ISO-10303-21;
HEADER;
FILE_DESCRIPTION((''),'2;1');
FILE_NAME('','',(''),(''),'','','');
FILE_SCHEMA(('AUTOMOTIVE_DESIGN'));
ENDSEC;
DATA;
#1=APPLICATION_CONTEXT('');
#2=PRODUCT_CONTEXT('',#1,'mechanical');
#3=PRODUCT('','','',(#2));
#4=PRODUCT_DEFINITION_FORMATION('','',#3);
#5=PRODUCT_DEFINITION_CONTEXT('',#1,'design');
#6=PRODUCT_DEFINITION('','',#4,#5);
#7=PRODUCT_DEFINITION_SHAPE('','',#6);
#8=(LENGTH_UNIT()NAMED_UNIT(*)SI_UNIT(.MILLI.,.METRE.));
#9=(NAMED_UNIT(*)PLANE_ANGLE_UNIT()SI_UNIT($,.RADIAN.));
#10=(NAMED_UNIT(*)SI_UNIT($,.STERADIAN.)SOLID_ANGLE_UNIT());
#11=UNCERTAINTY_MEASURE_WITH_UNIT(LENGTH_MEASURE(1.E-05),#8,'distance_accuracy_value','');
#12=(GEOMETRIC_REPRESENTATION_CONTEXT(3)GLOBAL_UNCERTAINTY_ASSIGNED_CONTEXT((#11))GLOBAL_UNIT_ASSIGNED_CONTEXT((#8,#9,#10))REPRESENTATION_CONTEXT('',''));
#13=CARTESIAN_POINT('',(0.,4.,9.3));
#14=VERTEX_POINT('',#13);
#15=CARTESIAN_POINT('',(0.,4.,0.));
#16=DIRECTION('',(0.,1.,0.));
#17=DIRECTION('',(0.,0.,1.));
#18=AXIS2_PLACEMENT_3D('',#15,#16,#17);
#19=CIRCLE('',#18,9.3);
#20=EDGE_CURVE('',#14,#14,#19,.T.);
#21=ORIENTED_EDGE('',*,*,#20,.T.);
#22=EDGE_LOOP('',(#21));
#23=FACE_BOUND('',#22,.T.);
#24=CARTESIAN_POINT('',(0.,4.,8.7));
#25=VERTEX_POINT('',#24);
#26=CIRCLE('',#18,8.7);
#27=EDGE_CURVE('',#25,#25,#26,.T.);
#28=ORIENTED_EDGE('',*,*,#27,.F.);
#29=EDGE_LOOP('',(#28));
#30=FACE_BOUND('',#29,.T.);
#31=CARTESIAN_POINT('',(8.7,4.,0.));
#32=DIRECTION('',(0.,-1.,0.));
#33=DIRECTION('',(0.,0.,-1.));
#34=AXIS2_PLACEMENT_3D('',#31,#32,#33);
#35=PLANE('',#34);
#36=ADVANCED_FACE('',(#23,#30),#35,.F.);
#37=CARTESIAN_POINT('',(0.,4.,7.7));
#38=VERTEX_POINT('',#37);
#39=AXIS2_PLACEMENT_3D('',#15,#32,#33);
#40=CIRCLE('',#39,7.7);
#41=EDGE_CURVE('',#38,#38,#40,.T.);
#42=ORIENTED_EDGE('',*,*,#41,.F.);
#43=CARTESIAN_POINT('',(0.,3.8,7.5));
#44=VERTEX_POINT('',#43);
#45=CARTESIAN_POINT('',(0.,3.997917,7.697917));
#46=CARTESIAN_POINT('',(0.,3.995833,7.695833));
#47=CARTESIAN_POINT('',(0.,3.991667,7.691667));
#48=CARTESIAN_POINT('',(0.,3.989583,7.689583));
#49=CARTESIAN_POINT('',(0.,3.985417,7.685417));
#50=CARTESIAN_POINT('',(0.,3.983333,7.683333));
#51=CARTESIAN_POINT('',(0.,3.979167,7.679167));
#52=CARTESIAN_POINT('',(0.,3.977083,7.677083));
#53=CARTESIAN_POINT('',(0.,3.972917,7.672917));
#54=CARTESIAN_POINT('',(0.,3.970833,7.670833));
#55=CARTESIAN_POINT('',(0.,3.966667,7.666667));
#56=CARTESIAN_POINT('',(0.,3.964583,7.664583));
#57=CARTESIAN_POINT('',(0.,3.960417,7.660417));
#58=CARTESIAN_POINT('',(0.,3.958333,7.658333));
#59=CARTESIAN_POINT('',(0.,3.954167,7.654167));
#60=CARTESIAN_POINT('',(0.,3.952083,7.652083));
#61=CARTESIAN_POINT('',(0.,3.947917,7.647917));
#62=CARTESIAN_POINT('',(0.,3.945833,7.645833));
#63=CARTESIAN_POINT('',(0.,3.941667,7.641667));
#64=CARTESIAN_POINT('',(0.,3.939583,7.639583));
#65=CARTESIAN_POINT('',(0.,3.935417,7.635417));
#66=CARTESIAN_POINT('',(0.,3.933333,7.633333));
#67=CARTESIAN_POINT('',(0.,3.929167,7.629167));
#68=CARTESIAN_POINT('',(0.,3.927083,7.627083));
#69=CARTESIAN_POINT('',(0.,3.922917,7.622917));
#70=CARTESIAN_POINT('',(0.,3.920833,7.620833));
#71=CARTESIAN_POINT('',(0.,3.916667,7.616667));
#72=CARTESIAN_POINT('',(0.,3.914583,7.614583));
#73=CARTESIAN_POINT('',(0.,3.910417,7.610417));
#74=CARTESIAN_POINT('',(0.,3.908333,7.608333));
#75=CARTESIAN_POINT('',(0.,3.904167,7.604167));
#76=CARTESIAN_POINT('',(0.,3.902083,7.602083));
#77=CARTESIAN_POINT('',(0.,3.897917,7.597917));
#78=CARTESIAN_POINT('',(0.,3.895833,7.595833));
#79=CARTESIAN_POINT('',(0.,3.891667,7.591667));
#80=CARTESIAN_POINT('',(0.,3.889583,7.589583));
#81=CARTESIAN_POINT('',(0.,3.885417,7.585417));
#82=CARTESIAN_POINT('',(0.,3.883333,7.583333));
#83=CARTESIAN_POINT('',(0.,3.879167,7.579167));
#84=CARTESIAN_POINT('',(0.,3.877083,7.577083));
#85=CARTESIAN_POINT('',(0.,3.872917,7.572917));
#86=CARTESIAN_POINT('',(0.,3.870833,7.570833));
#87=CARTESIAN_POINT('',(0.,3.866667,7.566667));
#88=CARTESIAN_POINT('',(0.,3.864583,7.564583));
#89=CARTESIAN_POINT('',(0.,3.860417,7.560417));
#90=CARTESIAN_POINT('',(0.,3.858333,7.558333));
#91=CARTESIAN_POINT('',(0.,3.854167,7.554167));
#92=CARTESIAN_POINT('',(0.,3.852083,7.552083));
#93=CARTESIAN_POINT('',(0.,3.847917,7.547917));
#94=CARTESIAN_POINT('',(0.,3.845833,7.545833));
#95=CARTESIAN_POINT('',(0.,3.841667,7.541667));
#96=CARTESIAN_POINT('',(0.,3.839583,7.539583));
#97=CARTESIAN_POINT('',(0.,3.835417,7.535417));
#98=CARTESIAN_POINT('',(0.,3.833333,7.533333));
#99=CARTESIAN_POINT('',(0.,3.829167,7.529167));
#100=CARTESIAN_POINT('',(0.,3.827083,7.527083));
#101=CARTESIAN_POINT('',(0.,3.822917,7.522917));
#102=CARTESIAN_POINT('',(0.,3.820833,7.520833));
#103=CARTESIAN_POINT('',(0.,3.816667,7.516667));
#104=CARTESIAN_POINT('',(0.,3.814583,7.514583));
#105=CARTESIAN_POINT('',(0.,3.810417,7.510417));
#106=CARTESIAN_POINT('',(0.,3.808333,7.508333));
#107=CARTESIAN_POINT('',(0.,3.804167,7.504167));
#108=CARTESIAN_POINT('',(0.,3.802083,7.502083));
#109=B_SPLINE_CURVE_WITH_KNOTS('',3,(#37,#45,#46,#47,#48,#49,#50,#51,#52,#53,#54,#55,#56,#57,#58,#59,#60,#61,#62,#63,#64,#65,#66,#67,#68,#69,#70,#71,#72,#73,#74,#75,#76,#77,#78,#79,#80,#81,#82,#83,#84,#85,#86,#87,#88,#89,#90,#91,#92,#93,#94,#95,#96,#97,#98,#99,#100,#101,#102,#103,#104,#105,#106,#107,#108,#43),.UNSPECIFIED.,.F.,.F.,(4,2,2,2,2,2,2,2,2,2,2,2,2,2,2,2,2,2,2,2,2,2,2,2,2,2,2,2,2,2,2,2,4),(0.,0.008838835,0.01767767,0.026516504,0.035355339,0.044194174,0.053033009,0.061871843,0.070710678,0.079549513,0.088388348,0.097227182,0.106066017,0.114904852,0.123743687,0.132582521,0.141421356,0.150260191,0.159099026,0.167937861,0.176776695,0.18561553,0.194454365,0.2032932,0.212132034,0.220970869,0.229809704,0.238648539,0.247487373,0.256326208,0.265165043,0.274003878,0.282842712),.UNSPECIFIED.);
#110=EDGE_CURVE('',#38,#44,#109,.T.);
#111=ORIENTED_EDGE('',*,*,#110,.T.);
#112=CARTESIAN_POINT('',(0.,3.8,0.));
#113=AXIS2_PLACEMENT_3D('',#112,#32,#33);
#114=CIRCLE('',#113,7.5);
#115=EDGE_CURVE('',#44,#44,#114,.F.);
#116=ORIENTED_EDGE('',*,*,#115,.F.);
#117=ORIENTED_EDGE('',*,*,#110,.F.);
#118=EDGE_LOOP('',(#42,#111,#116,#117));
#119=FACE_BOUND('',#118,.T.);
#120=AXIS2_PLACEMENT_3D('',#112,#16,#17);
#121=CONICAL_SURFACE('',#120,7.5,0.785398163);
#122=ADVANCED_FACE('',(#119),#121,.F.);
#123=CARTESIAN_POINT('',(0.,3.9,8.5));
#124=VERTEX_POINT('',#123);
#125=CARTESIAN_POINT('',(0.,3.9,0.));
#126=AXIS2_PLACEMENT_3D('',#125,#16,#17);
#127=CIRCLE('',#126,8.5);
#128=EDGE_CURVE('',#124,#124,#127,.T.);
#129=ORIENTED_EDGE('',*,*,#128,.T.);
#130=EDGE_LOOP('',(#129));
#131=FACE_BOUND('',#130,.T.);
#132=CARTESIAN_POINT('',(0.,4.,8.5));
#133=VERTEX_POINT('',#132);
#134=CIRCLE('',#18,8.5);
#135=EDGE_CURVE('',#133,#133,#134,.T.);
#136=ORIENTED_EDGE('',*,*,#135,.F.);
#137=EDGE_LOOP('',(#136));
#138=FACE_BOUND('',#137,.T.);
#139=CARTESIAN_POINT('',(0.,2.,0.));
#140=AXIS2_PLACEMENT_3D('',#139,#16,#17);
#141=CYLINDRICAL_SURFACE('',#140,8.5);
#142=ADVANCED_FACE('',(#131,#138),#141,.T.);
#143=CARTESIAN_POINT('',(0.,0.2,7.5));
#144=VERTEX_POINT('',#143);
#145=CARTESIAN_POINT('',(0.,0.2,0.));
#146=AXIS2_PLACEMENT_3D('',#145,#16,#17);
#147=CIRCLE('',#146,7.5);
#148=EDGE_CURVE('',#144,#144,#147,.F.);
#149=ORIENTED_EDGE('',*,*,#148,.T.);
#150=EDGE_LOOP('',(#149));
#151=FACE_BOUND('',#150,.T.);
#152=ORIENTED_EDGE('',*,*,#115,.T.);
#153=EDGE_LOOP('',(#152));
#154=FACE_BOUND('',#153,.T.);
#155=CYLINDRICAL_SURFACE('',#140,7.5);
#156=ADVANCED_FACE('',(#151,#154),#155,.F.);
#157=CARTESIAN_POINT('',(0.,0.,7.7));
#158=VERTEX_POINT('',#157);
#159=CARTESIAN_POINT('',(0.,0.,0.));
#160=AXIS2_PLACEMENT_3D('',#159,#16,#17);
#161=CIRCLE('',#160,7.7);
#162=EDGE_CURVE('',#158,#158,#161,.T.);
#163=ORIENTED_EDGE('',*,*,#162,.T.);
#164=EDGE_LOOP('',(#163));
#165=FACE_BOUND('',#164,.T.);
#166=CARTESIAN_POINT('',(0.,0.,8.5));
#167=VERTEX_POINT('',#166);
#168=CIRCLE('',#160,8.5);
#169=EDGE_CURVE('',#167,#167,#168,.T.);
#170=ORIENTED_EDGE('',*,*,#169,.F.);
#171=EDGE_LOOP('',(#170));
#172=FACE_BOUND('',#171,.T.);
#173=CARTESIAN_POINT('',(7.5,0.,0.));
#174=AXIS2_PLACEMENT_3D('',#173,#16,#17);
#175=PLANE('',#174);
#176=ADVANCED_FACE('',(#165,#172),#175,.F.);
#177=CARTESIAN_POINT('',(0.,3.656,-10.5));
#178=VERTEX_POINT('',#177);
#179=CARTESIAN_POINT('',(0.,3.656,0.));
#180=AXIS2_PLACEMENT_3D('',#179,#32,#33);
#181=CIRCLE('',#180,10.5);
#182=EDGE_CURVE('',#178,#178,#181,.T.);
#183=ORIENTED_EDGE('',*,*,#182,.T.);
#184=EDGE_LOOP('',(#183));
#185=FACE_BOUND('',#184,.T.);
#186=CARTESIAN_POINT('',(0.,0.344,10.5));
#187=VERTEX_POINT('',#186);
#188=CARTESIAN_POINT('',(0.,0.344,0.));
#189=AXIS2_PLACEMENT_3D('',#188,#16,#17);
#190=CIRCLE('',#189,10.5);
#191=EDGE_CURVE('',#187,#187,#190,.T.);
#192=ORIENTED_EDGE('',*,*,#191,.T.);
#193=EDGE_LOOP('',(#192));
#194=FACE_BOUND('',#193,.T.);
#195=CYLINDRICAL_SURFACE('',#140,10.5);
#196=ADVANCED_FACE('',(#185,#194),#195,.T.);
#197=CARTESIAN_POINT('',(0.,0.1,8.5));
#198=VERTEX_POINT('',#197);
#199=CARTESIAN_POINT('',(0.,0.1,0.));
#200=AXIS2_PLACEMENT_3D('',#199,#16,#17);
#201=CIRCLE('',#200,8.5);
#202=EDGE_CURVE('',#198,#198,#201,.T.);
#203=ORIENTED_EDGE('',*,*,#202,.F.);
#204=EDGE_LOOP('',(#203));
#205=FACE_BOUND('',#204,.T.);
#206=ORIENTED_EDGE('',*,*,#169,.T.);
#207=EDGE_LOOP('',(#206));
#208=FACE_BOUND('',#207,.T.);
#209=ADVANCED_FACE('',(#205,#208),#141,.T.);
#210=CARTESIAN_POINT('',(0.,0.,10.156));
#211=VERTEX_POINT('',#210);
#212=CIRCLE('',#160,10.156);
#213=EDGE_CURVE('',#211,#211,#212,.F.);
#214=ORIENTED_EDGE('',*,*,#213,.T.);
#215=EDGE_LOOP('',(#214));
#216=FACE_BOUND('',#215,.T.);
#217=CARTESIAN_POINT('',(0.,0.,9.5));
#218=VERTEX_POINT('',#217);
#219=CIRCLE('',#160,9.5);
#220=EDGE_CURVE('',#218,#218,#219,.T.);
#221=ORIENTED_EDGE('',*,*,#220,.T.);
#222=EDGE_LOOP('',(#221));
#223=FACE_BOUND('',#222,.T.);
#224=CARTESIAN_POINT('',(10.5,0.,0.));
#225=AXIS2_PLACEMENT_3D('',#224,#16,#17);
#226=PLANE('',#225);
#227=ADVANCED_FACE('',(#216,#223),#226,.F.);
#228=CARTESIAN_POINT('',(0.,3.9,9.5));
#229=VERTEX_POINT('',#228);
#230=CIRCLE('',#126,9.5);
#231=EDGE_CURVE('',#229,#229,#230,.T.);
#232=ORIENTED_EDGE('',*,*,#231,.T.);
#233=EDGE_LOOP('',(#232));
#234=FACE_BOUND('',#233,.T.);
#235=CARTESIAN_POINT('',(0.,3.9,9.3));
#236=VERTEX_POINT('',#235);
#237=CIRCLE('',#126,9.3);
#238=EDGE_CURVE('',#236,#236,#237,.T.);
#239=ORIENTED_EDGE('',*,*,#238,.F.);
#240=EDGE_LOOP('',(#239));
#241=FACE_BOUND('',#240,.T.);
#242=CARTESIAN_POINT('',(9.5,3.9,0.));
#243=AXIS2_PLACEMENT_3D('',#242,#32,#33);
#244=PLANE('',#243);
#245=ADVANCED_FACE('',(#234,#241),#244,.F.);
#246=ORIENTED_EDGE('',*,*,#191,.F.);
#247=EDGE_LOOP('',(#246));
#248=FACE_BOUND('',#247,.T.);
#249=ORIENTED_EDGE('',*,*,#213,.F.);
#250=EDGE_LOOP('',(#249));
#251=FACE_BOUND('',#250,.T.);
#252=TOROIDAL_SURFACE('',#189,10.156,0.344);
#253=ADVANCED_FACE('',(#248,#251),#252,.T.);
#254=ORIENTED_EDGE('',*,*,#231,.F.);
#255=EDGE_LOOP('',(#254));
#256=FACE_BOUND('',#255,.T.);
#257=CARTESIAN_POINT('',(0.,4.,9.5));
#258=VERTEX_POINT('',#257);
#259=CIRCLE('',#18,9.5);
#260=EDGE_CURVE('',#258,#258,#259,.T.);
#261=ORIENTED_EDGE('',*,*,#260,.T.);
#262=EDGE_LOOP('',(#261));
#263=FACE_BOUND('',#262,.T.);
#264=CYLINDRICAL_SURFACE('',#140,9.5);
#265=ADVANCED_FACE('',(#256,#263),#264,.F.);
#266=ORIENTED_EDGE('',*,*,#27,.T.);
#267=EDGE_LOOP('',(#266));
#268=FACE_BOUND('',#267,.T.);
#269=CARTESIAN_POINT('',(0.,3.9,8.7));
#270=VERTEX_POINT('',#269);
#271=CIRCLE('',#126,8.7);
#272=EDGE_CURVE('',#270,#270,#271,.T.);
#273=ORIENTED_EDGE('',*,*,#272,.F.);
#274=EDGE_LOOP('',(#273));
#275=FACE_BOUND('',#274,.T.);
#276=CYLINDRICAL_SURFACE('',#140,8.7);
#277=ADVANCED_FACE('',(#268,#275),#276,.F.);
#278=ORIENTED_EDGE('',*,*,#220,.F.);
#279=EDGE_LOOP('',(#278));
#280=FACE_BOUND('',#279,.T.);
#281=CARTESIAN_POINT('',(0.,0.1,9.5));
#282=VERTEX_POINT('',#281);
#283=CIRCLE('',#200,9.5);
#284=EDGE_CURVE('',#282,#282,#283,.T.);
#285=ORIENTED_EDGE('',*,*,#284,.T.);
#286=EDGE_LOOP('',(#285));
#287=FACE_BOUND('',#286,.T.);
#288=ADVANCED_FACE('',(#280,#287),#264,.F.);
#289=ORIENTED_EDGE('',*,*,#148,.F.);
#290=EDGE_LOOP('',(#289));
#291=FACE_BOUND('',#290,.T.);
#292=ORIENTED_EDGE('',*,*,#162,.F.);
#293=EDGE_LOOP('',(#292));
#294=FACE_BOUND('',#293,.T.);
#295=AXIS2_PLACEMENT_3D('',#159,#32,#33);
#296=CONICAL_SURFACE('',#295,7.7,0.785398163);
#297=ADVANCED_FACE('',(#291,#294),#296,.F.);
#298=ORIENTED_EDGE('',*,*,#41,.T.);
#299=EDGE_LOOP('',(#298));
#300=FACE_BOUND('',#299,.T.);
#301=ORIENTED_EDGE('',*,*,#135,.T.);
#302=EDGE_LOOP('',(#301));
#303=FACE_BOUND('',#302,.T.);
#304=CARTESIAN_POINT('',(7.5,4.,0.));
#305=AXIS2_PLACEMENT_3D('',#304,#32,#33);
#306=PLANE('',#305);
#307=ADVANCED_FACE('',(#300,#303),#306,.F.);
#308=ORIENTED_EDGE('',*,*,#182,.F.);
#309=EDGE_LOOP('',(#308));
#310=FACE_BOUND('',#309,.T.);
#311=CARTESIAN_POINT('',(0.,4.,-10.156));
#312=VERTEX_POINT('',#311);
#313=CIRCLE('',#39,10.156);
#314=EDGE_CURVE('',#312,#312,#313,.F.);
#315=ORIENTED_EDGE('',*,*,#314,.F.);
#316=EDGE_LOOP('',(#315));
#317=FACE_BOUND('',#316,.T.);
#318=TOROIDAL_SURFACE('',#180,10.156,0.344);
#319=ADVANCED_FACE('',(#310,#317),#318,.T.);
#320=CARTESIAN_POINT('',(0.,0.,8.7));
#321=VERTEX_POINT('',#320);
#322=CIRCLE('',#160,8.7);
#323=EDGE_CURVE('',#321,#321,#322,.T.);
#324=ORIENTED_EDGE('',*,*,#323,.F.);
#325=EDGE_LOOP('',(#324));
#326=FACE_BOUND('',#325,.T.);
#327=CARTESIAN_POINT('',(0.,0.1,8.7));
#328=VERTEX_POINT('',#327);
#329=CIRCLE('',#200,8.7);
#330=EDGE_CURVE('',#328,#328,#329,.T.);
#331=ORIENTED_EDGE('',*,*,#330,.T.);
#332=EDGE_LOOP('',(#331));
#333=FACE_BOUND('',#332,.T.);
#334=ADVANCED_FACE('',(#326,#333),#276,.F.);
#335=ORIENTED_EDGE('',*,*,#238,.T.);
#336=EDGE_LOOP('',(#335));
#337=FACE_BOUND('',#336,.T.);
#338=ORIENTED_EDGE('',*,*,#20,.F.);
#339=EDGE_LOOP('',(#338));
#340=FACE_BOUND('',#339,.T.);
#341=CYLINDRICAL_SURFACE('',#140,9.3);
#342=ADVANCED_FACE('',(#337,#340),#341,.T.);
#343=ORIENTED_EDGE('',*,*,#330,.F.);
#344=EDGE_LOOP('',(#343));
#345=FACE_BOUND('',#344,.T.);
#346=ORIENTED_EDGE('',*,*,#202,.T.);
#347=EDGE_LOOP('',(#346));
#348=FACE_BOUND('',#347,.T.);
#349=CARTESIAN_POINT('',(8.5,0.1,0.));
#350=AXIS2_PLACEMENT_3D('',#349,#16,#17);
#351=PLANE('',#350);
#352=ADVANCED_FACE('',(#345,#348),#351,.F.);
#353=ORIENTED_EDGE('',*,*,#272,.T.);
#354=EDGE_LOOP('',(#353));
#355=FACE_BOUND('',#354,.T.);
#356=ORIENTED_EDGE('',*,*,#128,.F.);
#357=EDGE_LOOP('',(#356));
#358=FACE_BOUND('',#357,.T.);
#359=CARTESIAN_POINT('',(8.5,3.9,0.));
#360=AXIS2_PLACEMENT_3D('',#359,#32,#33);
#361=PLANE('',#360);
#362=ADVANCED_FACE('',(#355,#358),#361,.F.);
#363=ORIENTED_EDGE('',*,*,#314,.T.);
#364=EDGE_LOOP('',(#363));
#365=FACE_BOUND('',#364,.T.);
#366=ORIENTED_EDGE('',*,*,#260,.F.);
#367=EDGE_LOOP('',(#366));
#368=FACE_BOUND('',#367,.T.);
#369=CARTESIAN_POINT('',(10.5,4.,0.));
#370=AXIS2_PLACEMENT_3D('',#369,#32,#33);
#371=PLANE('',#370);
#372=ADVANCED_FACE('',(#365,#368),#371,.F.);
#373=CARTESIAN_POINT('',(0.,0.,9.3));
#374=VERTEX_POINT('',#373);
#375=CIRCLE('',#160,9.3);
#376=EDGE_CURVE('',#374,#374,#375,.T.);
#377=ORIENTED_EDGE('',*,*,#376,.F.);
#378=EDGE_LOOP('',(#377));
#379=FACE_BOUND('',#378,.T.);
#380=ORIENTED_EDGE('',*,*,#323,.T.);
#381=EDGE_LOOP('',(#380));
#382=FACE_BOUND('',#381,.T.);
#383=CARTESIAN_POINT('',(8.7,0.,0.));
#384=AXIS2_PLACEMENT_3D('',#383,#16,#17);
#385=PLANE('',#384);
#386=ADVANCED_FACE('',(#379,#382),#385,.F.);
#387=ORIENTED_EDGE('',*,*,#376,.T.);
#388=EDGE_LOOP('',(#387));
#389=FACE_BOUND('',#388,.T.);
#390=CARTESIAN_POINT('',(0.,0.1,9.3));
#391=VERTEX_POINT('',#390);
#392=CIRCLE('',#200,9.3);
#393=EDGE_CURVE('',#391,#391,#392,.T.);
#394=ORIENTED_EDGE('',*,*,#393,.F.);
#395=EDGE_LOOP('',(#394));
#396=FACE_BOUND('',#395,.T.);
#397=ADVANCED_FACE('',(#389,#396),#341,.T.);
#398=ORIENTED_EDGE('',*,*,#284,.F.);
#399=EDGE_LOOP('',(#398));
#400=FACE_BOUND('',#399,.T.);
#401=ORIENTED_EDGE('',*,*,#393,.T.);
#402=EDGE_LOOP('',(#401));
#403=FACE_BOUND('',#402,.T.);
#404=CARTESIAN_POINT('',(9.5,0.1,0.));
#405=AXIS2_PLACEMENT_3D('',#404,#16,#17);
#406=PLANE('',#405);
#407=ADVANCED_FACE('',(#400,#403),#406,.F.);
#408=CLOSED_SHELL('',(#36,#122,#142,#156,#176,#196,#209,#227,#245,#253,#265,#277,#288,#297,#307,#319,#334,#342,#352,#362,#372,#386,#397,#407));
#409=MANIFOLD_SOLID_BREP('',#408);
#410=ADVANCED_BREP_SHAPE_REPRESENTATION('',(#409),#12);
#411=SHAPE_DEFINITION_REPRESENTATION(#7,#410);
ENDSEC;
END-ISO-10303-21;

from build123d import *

# Parameters (mm, degrees)
FILLET2_R     = 0.344
CHAMFER2_SIZE = 0.2


with BuildPart() as part:
    # Sketch1 → Revolve1 (revolve)
    with BuildSketch(Plane.XY, mode=Mode.PRIVATE) as revolve1_sk:
        Polygon((10.5, 0), (10.5, 4), (9.5, 4), (9.5, 3.9), (9.3, 3.9), (9.3, 4), (8.7, 4), (8.7, 3.9), (8.5, 3.9), (8.5, 4), (7.5, 4), (7.5, 0), (8.5, 0), (8.5, 0.1), (8.7, 0.1), (8.7, 0), (9.3, 0), (9.3, 0.1), (9.5, 0.1), (9.5, 0), align=None)
    revolve(revolve1_sk.sketch.rotate(Axis((0, 2, 0), (0, -1, 0)), 90), axis=Axis((0, 2, 0), (0, -1, 0)))

    # Fillet2
    fillet2_edges = [part.edges().sort_by_distance(p)[0] for p in [
        (0, 0, -10.5),
        (0, 4, -10.5),
    ]]
    fillet(fillet2_edges, radius=FILLET2_R)

    # Chamfer2
    chamfer2_edges = [part.edges().sort_by_distance(p)[0] for p in [
        (0, 4, -7.5),
        (0, 0, -7.5),
    ]]
    chamfer(chamfer2_edges, length=CHAMFER2_SIZE)


solid = part.part
